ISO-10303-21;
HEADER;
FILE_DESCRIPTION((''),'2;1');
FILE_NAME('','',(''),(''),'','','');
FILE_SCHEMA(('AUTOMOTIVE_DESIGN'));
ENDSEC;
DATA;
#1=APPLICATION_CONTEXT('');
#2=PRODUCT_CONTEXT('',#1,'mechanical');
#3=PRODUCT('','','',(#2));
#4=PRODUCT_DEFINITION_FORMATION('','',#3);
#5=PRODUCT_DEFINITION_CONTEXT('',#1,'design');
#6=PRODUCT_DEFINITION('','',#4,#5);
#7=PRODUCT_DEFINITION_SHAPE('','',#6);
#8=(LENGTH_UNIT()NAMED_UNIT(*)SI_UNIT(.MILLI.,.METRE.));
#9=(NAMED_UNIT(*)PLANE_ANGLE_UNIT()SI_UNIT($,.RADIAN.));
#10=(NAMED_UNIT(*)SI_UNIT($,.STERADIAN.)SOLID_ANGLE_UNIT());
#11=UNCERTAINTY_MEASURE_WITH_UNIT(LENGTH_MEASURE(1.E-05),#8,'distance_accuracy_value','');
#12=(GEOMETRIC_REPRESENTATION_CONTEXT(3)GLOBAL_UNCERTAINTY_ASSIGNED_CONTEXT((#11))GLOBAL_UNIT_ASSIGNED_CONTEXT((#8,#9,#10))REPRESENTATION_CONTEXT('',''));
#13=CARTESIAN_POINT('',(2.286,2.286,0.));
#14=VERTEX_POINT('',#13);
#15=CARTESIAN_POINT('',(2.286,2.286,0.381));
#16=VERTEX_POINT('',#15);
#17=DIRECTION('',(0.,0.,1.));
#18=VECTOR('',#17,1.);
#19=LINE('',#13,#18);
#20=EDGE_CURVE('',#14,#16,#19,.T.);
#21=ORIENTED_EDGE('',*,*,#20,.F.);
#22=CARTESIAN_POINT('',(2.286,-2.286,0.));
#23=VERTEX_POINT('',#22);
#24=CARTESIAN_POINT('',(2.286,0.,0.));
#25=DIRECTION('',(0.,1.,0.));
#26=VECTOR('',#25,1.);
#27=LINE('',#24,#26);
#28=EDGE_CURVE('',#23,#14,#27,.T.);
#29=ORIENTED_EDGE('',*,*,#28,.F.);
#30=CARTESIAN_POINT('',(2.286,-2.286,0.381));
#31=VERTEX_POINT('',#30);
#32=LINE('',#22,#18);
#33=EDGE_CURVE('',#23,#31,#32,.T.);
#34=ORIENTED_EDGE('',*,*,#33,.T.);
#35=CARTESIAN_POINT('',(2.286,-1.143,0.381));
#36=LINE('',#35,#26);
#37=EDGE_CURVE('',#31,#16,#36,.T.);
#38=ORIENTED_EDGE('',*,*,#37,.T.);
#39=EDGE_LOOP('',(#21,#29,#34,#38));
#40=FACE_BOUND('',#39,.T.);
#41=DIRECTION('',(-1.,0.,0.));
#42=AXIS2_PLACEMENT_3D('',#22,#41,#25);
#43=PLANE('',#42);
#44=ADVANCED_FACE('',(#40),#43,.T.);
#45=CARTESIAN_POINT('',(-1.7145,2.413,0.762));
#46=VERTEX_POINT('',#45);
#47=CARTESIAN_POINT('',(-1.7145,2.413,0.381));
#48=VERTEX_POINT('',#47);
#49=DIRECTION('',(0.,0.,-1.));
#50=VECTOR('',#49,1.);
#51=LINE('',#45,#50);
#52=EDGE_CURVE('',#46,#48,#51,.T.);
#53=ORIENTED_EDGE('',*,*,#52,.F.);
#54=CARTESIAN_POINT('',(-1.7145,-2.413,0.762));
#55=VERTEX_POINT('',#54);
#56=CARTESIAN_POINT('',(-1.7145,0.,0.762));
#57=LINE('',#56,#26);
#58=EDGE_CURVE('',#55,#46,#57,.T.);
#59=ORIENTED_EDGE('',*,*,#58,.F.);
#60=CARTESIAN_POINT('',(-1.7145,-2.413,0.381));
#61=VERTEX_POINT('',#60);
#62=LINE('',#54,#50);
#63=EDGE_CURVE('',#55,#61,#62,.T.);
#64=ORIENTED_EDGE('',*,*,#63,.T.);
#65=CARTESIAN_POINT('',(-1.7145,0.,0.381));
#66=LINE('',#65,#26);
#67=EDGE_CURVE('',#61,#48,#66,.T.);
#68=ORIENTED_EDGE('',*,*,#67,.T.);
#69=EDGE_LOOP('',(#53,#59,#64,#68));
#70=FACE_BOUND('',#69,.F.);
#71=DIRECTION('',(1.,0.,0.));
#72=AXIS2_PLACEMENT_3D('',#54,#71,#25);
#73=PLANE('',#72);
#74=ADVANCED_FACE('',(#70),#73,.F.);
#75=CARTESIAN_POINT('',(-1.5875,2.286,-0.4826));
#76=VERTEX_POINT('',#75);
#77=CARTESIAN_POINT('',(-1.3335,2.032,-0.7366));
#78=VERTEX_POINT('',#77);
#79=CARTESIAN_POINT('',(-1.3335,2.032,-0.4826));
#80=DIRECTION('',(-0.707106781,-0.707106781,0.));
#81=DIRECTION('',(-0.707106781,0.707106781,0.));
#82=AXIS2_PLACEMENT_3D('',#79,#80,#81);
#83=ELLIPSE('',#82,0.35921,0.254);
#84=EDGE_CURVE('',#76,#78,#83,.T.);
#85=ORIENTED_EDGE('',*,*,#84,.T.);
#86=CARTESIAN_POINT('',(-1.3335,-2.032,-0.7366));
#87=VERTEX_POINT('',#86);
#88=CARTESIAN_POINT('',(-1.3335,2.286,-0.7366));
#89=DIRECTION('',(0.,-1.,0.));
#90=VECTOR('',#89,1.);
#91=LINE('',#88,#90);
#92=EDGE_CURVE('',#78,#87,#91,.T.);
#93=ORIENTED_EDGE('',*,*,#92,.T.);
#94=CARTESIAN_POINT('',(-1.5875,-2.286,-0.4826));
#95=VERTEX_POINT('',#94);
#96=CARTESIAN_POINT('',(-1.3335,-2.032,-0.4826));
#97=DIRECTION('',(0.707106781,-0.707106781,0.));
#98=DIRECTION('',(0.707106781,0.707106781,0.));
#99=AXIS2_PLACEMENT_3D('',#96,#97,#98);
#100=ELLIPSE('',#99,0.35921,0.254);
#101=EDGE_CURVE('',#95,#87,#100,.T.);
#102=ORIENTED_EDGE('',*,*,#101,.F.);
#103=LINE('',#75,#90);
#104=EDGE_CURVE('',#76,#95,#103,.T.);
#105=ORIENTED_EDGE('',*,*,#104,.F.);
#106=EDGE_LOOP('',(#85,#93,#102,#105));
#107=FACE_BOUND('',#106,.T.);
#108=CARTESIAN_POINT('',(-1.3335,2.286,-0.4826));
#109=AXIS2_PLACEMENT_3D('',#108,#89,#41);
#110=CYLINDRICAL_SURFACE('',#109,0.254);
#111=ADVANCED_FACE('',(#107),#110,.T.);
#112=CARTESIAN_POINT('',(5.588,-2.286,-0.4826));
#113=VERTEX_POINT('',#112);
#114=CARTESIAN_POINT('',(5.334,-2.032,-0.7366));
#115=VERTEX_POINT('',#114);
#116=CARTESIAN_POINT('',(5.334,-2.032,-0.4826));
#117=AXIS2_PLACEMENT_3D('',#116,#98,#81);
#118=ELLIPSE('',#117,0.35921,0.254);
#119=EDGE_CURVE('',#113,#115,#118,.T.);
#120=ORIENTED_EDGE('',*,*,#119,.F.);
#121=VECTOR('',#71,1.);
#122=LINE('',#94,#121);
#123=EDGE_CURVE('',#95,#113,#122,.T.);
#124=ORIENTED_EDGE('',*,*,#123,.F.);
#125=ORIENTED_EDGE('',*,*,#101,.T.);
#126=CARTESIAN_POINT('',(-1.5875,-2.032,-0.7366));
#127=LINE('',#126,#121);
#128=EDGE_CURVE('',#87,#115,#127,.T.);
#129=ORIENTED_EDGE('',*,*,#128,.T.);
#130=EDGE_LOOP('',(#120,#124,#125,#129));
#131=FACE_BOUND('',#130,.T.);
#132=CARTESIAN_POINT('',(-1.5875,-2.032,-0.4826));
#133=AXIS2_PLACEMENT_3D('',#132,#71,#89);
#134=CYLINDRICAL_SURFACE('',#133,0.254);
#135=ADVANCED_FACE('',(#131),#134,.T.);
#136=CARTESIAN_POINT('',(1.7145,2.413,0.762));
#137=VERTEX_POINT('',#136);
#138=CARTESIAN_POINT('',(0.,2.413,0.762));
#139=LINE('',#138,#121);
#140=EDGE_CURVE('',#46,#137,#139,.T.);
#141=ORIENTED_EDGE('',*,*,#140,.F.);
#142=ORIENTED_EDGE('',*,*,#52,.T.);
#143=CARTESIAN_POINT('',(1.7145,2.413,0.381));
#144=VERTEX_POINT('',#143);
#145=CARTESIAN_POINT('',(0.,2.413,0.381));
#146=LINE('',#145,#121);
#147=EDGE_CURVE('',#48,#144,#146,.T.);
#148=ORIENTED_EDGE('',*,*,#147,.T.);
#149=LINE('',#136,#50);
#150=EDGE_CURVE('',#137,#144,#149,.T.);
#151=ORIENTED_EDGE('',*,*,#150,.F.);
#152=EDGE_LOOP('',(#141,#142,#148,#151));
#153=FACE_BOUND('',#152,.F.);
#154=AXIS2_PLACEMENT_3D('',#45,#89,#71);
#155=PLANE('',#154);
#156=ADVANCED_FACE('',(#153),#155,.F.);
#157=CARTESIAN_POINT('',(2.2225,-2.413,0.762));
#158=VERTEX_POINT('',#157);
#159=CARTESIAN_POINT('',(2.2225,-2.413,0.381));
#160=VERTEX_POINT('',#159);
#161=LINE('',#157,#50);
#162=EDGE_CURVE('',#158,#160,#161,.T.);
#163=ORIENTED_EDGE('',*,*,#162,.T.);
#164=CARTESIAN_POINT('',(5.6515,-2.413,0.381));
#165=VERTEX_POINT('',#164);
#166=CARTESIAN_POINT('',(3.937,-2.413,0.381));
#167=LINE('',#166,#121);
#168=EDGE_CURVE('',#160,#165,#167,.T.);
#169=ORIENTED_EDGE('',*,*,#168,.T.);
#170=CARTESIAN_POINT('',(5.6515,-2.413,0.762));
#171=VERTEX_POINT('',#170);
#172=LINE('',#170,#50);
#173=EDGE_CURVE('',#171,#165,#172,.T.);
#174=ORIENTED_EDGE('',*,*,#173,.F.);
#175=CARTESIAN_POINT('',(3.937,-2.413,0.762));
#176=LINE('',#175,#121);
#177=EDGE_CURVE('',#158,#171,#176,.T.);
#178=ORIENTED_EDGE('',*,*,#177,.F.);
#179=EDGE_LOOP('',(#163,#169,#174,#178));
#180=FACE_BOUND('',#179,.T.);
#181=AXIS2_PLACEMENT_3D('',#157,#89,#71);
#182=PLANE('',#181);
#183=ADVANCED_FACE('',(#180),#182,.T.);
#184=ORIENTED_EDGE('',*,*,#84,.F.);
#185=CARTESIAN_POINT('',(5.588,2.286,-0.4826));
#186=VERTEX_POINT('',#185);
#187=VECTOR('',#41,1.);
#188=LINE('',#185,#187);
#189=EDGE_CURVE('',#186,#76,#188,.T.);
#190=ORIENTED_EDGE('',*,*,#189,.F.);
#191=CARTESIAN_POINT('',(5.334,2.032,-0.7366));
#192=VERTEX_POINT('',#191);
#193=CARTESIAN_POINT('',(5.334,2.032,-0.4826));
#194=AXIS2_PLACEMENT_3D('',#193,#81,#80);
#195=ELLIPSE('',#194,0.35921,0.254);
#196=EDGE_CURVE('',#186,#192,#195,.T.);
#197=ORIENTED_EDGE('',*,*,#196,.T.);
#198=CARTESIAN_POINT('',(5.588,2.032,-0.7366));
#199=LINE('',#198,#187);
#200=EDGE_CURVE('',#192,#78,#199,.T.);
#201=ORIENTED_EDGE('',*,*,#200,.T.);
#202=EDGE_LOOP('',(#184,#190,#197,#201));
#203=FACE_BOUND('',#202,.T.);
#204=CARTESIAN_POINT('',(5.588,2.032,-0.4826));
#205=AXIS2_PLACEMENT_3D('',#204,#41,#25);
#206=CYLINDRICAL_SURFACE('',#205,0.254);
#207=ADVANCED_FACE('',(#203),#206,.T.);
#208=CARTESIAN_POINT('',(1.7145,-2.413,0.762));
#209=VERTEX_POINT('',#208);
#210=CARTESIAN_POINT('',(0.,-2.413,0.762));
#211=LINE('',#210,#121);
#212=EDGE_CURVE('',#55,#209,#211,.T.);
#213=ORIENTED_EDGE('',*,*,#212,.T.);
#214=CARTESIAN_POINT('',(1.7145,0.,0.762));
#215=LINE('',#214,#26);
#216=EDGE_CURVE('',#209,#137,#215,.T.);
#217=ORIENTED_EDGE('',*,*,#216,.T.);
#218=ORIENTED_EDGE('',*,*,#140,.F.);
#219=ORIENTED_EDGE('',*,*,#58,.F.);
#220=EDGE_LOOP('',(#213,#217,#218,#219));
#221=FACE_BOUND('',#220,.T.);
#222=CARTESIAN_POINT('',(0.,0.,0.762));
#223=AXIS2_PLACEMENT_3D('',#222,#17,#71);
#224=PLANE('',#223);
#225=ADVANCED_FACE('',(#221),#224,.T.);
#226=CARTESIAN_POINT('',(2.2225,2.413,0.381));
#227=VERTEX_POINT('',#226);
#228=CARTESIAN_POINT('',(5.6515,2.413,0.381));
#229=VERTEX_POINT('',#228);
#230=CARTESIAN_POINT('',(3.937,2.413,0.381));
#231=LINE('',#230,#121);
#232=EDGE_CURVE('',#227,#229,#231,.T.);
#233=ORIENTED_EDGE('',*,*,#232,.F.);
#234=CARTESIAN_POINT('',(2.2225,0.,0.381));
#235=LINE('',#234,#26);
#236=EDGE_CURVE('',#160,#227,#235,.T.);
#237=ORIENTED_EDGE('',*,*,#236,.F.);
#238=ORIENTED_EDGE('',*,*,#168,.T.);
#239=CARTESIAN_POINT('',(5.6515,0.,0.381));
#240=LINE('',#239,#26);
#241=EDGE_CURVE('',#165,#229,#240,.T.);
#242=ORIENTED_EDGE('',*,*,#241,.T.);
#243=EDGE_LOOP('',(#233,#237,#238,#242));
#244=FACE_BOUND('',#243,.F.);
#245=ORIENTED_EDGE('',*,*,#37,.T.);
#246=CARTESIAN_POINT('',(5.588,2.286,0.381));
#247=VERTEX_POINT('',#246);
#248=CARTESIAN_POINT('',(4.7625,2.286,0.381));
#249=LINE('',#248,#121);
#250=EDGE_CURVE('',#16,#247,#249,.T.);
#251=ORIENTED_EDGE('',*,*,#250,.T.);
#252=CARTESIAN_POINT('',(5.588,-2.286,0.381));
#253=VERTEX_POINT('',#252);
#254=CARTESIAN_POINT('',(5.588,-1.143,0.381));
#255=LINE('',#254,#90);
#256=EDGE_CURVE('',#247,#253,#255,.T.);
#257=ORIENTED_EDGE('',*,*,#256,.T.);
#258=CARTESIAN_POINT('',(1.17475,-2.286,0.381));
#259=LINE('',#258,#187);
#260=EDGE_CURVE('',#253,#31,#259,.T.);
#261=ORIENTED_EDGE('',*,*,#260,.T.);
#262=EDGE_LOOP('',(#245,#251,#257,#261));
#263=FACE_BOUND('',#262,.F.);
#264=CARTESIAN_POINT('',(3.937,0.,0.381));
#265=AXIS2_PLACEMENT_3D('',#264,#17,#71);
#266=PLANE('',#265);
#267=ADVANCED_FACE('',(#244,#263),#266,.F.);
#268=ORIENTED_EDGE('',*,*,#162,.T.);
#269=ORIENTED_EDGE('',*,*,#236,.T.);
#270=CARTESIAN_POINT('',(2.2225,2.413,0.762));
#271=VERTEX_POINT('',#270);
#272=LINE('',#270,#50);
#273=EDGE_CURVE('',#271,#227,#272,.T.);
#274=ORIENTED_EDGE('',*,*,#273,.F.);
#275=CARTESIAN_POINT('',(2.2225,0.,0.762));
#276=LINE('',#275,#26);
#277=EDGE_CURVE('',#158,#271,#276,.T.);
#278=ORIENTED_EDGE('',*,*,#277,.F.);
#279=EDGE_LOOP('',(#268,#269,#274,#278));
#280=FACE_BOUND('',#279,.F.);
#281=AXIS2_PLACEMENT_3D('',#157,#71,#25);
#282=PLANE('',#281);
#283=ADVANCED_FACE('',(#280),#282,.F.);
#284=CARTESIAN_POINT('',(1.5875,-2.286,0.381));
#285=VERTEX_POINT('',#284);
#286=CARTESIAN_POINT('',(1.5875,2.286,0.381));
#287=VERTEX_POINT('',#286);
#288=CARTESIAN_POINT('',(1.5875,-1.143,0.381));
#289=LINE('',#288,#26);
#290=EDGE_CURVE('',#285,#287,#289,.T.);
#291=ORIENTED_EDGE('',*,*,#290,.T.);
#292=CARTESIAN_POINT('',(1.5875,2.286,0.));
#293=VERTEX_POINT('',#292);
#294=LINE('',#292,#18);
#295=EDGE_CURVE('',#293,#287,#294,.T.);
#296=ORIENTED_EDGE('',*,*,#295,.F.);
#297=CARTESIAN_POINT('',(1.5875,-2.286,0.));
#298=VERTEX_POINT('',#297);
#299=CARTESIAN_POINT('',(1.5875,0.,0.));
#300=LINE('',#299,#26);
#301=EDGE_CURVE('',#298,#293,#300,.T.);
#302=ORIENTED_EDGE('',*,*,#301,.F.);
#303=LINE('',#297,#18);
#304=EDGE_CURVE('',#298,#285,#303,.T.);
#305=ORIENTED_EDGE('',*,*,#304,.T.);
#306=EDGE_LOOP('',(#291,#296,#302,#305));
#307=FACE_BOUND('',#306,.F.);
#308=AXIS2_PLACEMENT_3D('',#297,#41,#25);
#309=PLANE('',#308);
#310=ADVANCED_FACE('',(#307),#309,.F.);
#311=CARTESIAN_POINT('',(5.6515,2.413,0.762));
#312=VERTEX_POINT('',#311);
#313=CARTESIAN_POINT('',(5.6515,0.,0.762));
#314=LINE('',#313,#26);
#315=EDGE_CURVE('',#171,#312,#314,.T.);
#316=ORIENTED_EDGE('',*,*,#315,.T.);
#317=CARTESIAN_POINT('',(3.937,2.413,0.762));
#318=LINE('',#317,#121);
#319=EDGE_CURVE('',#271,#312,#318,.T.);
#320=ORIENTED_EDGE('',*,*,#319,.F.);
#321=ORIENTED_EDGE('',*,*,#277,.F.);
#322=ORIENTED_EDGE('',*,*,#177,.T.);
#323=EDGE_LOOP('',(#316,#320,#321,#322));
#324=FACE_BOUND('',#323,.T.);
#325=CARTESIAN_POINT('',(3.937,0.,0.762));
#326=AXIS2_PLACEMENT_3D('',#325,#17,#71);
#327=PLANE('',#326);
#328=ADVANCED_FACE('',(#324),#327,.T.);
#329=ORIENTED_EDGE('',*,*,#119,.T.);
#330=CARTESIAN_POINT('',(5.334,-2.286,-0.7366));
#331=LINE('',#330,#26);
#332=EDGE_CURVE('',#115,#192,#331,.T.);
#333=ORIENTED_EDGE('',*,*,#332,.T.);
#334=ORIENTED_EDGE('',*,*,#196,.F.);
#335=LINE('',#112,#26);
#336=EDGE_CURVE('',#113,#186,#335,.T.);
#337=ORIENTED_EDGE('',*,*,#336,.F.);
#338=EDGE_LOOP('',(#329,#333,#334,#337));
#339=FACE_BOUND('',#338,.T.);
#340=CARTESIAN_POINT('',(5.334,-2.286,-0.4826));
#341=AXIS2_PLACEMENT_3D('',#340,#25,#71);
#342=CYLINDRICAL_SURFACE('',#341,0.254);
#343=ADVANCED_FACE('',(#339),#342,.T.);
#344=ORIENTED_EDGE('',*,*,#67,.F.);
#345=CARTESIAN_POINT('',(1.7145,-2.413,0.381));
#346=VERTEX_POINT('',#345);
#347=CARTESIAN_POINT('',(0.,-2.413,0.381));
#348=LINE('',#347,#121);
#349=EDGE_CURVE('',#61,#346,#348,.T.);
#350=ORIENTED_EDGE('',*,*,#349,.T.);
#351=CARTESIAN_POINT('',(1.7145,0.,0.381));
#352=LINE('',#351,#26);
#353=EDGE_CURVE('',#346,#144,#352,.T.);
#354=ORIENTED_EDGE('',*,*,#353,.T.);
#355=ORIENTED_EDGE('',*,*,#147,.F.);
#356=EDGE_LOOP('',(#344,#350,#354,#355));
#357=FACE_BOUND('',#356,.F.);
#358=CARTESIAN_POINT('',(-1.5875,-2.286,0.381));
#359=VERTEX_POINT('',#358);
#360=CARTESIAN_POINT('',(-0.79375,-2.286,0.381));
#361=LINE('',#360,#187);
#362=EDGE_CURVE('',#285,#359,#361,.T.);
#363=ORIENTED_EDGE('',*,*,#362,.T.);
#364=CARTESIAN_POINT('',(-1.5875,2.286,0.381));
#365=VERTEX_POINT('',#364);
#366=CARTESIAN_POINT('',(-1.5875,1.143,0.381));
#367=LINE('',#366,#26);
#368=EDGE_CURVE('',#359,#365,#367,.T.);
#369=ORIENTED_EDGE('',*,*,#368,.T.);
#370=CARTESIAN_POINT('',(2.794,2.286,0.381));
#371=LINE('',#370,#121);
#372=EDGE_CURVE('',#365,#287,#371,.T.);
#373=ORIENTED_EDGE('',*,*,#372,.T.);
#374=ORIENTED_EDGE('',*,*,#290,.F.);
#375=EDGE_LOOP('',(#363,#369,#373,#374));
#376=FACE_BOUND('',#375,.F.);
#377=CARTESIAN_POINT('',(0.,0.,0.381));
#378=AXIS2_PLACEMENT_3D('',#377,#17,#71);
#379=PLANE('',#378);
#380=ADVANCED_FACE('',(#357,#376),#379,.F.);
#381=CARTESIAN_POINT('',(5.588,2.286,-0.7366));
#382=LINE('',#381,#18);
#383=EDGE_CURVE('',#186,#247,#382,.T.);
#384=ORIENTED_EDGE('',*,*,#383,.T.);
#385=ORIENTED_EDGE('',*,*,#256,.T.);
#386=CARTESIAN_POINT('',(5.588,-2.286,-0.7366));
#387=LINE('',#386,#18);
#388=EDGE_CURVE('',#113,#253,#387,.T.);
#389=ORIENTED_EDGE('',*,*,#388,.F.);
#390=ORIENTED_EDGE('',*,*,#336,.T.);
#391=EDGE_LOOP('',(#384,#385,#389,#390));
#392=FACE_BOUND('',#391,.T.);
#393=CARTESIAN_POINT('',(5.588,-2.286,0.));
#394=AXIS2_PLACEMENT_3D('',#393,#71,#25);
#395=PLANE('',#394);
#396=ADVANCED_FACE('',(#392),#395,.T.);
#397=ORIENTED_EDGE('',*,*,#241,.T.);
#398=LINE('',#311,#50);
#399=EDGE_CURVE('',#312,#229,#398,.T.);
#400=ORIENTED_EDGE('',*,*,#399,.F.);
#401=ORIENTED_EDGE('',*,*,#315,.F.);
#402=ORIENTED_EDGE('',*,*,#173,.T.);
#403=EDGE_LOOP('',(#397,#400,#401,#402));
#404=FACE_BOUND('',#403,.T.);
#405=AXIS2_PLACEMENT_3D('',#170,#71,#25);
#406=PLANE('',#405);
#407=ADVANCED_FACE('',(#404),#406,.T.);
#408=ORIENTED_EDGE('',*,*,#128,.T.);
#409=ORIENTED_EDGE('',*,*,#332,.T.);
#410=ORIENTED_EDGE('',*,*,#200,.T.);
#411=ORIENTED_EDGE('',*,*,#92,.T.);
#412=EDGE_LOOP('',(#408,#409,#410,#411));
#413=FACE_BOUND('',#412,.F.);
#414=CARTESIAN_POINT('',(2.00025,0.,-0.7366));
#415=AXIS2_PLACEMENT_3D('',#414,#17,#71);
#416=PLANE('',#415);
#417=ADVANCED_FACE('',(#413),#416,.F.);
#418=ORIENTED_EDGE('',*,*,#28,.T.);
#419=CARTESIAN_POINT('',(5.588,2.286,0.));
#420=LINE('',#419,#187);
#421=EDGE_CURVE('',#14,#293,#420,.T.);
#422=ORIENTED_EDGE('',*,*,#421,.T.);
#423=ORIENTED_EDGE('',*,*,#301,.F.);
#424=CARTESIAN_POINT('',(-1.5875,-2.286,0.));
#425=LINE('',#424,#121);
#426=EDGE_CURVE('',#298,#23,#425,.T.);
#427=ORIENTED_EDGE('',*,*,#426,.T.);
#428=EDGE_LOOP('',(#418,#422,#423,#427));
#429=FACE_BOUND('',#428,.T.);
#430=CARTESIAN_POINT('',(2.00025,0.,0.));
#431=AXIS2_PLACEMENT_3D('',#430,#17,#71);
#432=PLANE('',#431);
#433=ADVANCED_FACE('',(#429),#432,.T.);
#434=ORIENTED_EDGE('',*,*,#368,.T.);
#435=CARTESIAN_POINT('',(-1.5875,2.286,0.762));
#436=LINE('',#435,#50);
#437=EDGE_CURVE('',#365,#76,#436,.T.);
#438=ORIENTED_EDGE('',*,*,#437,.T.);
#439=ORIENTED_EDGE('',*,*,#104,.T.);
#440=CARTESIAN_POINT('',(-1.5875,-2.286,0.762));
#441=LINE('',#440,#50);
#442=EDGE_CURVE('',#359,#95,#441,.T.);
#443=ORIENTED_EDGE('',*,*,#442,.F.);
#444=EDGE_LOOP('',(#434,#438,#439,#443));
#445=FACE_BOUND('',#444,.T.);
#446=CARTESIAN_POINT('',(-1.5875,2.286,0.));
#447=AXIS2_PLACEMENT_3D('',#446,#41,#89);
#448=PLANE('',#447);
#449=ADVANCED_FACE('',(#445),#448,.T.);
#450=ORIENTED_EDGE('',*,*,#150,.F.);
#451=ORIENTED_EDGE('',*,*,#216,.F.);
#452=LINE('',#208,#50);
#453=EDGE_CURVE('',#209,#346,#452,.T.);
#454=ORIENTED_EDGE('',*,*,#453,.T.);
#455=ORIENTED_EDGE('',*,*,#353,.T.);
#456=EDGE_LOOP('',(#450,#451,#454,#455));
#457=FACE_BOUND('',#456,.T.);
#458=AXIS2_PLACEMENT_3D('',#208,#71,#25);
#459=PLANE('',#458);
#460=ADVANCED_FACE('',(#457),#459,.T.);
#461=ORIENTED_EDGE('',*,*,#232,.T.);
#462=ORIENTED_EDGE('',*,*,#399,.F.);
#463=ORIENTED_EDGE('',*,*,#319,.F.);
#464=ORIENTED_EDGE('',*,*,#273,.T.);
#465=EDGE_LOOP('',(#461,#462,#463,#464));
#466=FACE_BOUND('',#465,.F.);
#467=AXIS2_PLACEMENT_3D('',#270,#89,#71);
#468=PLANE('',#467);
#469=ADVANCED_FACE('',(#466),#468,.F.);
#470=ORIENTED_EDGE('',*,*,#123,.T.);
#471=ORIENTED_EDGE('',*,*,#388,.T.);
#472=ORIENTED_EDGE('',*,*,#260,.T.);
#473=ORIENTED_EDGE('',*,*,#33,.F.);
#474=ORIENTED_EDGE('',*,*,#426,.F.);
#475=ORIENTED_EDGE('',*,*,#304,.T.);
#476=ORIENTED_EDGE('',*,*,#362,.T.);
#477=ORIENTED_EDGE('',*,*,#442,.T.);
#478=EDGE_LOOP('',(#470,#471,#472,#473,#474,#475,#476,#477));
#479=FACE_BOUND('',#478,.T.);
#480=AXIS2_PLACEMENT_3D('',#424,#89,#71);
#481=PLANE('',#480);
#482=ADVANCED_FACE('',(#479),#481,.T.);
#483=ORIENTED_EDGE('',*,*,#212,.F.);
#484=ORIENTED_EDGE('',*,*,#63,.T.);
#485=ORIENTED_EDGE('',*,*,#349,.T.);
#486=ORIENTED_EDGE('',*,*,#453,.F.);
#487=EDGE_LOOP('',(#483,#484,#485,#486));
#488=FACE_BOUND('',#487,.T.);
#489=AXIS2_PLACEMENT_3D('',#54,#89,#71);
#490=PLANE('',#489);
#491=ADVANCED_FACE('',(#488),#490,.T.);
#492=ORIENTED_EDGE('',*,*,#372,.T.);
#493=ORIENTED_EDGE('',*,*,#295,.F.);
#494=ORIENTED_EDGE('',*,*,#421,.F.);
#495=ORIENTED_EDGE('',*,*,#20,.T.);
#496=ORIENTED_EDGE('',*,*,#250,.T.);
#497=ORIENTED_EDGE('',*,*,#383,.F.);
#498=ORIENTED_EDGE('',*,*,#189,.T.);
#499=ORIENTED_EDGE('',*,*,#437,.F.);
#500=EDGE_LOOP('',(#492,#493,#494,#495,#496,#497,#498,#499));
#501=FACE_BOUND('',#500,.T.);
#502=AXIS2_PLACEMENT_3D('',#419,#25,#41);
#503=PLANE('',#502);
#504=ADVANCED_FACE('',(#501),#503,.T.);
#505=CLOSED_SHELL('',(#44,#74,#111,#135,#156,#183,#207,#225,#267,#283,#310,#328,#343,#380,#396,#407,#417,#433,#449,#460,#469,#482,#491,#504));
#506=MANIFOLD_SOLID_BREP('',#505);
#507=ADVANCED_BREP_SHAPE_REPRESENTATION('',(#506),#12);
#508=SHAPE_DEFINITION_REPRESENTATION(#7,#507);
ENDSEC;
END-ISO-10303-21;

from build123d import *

# Parameters (mm, degrees)
SKETCH2_W             = 3.175
SKETCH2_H             = 4.572
BOSS_EXTRUDE1_DEPTH   = 0.762
SKETCH2_W_2           = 3.302
BOSS_EXTRUDE1_2_DEPTH = 0.762
BOSS_EXTRUDE2_DEPTH   = 0.7366
FILLET1_R             = 0.254
SKETCH4_W             = 3.429
SKETCH4_H             = 4.826
BOSS_EXTRUDE3_DEPTH   = 0.381


with BuildPart() as part:
    # Sketch2 → Boss-Extrude1 (new body)
    with BuildSketch(Plane.XY):
        Rectangle(SKETCH2_W, SKETCH2_H)
    extrude(amount=BOSS_EXTRUDE1_DEPTH)



with BuildPart() as body_2:
    # Sketch2 → Boss-Extrude1 2 (new body)
    with BuildSketch(Plane.XY):
        with Locations((3.937, 0)):
            Rectangle(SKETCH2_W_2, SKETCH2_H)
    extrude(amount=BOSS_EXTRUDE1_2_DEPTH)


with BuildPart() as part_1:
    add(part.part)

    add(body_2.part)  # Boss-Extrude2 merges body 2
    # Sketch3 → Boss-Extrude2 (add)
    with BuildSketch(Plane.XY):
        Polygon((-1.5875, -2.286), (1.5875, -2.286), (2.286, -2.286), (5.588, -2.286), (5.588, 2.286), (2.286, 2.286), (1.5875, 2.286), (-1.5875, 2.286), align=None)
    extrude(amount=-BOSS_EXTRUDE2_DEPTH)

    # Fillet1
    fillet1_edges = [part_1.edges().sort_by_distance(p)[0] for p in [
        (2.00025, 2.286, -0.7366),
        (5.588, 0, -0.7366),
        (2.00025, -2.286, -0.7366),
        (-1.5875, 0, -0.7366),
    ]]
    fillet(fillet1_edges, radius=FILLET1_R)

    # Sketch4 → Boss-Extrude3 (add)
    with BuildSketch(Plane.XY.offset(0.762)):
        Rectangle(SKETCH4_W, SKETCH4_H)
        with Locations((3.937, 0)):
            Rectangle(SKETCH4_W, SKETCH4_H)
    extrude(amount=-BOSS_EXTRUDE3_DEPTH)


solid = part_1.part
